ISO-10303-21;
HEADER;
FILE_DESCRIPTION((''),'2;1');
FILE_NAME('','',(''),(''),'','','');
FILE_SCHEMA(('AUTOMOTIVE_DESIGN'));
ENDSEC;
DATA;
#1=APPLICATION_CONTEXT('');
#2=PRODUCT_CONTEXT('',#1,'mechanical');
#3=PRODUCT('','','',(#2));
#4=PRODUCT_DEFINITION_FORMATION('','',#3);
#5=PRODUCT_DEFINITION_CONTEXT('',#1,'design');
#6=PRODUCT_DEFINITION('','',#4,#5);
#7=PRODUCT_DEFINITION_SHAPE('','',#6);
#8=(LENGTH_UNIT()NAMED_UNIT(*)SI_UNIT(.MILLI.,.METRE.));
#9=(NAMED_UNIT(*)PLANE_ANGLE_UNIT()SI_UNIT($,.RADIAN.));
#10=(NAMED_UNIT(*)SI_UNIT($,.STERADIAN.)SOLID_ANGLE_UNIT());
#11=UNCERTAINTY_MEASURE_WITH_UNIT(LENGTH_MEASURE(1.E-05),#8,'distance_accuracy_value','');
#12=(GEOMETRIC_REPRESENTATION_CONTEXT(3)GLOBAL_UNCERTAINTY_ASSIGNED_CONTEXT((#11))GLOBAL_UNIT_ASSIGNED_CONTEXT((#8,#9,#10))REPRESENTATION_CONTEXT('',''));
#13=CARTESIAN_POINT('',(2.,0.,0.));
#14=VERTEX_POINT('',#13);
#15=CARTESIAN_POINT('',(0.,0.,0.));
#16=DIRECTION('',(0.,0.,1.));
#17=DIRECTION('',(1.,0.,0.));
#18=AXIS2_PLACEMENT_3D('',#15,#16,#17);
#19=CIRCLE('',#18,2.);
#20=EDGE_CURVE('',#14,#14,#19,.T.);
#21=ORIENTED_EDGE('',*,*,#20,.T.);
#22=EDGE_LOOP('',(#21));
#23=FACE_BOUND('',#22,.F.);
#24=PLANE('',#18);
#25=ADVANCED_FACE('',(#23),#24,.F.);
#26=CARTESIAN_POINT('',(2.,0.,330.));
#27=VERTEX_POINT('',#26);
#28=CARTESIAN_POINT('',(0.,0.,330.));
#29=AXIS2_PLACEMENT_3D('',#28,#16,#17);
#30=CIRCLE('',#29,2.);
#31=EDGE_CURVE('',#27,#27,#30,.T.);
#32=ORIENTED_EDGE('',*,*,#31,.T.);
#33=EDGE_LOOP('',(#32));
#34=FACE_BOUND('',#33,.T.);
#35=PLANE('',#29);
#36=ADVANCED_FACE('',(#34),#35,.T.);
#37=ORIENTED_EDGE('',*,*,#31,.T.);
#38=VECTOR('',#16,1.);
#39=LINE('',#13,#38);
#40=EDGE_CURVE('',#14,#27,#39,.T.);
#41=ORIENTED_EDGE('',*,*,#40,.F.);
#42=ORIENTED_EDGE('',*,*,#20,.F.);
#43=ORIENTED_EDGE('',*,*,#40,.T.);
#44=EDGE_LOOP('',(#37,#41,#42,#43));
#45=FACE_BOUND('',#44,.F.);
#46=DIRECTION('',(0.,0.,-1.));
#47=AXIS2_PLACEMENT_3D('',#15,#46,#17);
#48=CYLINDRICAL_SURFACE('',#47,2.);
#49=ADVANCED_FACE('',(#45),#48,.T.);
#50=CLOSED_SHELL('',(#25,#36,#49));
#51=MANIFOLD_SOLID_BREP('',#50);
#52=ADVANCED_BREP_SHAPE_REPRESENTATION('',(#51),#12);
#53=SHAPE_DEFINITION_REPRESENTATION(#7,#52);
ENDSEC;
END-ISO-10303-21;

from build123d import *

# Parameters (mm, degrees)
SKETCH_R      = 2
EXTRUDE_DEPTH = 330


with BuildPart() as part:
    # Sketch → Extrude (new body)
    with BuildSketch(Plane.XY):
        Circle(SKETCH_R)
    extrude(amount=EXTRUDE_DEPTH)


solid = part.part
